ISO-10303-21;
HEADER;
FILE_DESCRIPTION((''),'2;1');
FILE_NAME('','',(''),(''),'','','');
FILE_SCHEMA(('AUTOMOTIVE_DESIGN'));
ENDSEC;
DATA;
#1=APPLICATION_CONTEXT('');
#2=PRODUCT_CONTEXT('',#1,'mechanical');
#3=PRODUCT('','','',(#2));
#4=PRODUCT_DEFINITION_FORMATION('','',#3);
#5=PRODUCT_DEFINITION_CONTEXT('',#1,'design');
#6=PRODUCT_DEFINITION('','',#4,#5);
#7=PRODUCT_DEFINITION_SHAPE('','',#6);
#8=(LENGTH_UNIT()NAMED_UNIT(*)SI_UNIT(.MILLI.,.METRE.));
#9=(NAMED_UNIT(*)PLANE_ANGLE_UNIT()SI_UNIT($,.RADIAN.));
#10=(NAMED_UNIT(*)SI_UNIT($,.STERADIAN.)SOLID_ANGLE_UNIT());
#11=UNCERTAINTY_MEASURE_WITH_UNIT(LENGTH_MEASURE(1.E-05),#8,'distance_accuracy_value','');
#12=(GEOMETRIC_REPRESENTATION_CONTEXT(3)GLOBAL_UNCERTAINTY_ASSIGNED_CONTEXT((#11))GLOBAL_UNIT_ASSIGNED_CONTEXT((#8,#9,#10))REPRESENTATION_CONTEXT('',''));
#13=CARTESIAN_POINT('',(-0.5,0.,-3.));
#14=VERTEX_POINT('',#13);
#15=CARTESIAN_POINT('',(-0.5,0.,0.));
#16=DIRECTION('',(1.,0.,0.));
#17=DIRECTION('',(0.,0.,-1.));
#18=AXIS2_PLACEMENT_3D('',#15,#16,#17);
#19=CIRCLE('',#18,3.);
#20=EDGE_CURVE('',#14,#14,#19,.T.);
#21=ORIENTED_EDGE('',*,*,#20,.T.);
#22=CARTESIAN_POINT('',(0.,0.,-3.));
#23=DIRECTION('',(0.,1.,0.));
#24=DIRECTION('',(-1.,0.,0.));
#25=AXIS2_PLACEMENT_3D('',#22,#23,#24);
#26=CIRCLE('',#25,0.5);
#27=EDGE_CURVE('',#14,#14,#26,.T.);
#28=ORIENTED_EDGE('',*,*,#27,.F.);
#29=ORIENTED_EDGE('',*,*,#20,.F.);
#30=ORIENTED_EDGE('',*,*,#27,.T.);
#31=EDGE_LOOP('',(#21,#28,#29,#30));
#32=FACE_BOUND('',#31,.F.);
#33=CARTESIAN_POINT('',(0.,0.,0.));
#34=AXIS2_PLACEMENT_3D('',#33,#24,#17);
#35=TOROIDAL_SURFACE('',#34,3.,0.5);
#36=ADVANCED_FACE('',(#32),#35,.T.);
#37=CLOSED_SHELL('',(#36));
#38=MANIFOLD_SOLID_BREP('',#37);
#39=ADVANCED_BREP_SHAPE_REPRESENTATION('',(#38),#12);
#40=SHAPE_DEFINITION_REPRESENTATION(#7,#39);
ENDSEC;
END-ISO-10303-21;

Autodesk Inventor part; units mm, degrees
ref_plane "YZ Plane" through (0, 0, 0) normal (1, 0, 0) x (0, 1, 0)
ref_plane "XZ Plane" through (0, 0, 0) normal (0, 1, 0) x (-1, 0, 0)
ref_plane "XY Plane" through (0, 0, 0) normal (0, 0, 1) x (1, 0, 0)
sketch "Sketch1" plane through (0, 0, 0) normal (0, 1, 0) x (-1, 0, 0)
  circle A0 centre (0, -3) radius 0.5
  line L0 (0.7, 0) -> (-0.7, 0) projected
  point P0 (0, 0)
  dimension "d0" = 1
  dimension "d1" = 3
revolve "Revolution1" add sketch "Sketch1" angle 360 about axis through (-10, 0, 0) along (1, 0, 0)
properties part number "7MMORING"
